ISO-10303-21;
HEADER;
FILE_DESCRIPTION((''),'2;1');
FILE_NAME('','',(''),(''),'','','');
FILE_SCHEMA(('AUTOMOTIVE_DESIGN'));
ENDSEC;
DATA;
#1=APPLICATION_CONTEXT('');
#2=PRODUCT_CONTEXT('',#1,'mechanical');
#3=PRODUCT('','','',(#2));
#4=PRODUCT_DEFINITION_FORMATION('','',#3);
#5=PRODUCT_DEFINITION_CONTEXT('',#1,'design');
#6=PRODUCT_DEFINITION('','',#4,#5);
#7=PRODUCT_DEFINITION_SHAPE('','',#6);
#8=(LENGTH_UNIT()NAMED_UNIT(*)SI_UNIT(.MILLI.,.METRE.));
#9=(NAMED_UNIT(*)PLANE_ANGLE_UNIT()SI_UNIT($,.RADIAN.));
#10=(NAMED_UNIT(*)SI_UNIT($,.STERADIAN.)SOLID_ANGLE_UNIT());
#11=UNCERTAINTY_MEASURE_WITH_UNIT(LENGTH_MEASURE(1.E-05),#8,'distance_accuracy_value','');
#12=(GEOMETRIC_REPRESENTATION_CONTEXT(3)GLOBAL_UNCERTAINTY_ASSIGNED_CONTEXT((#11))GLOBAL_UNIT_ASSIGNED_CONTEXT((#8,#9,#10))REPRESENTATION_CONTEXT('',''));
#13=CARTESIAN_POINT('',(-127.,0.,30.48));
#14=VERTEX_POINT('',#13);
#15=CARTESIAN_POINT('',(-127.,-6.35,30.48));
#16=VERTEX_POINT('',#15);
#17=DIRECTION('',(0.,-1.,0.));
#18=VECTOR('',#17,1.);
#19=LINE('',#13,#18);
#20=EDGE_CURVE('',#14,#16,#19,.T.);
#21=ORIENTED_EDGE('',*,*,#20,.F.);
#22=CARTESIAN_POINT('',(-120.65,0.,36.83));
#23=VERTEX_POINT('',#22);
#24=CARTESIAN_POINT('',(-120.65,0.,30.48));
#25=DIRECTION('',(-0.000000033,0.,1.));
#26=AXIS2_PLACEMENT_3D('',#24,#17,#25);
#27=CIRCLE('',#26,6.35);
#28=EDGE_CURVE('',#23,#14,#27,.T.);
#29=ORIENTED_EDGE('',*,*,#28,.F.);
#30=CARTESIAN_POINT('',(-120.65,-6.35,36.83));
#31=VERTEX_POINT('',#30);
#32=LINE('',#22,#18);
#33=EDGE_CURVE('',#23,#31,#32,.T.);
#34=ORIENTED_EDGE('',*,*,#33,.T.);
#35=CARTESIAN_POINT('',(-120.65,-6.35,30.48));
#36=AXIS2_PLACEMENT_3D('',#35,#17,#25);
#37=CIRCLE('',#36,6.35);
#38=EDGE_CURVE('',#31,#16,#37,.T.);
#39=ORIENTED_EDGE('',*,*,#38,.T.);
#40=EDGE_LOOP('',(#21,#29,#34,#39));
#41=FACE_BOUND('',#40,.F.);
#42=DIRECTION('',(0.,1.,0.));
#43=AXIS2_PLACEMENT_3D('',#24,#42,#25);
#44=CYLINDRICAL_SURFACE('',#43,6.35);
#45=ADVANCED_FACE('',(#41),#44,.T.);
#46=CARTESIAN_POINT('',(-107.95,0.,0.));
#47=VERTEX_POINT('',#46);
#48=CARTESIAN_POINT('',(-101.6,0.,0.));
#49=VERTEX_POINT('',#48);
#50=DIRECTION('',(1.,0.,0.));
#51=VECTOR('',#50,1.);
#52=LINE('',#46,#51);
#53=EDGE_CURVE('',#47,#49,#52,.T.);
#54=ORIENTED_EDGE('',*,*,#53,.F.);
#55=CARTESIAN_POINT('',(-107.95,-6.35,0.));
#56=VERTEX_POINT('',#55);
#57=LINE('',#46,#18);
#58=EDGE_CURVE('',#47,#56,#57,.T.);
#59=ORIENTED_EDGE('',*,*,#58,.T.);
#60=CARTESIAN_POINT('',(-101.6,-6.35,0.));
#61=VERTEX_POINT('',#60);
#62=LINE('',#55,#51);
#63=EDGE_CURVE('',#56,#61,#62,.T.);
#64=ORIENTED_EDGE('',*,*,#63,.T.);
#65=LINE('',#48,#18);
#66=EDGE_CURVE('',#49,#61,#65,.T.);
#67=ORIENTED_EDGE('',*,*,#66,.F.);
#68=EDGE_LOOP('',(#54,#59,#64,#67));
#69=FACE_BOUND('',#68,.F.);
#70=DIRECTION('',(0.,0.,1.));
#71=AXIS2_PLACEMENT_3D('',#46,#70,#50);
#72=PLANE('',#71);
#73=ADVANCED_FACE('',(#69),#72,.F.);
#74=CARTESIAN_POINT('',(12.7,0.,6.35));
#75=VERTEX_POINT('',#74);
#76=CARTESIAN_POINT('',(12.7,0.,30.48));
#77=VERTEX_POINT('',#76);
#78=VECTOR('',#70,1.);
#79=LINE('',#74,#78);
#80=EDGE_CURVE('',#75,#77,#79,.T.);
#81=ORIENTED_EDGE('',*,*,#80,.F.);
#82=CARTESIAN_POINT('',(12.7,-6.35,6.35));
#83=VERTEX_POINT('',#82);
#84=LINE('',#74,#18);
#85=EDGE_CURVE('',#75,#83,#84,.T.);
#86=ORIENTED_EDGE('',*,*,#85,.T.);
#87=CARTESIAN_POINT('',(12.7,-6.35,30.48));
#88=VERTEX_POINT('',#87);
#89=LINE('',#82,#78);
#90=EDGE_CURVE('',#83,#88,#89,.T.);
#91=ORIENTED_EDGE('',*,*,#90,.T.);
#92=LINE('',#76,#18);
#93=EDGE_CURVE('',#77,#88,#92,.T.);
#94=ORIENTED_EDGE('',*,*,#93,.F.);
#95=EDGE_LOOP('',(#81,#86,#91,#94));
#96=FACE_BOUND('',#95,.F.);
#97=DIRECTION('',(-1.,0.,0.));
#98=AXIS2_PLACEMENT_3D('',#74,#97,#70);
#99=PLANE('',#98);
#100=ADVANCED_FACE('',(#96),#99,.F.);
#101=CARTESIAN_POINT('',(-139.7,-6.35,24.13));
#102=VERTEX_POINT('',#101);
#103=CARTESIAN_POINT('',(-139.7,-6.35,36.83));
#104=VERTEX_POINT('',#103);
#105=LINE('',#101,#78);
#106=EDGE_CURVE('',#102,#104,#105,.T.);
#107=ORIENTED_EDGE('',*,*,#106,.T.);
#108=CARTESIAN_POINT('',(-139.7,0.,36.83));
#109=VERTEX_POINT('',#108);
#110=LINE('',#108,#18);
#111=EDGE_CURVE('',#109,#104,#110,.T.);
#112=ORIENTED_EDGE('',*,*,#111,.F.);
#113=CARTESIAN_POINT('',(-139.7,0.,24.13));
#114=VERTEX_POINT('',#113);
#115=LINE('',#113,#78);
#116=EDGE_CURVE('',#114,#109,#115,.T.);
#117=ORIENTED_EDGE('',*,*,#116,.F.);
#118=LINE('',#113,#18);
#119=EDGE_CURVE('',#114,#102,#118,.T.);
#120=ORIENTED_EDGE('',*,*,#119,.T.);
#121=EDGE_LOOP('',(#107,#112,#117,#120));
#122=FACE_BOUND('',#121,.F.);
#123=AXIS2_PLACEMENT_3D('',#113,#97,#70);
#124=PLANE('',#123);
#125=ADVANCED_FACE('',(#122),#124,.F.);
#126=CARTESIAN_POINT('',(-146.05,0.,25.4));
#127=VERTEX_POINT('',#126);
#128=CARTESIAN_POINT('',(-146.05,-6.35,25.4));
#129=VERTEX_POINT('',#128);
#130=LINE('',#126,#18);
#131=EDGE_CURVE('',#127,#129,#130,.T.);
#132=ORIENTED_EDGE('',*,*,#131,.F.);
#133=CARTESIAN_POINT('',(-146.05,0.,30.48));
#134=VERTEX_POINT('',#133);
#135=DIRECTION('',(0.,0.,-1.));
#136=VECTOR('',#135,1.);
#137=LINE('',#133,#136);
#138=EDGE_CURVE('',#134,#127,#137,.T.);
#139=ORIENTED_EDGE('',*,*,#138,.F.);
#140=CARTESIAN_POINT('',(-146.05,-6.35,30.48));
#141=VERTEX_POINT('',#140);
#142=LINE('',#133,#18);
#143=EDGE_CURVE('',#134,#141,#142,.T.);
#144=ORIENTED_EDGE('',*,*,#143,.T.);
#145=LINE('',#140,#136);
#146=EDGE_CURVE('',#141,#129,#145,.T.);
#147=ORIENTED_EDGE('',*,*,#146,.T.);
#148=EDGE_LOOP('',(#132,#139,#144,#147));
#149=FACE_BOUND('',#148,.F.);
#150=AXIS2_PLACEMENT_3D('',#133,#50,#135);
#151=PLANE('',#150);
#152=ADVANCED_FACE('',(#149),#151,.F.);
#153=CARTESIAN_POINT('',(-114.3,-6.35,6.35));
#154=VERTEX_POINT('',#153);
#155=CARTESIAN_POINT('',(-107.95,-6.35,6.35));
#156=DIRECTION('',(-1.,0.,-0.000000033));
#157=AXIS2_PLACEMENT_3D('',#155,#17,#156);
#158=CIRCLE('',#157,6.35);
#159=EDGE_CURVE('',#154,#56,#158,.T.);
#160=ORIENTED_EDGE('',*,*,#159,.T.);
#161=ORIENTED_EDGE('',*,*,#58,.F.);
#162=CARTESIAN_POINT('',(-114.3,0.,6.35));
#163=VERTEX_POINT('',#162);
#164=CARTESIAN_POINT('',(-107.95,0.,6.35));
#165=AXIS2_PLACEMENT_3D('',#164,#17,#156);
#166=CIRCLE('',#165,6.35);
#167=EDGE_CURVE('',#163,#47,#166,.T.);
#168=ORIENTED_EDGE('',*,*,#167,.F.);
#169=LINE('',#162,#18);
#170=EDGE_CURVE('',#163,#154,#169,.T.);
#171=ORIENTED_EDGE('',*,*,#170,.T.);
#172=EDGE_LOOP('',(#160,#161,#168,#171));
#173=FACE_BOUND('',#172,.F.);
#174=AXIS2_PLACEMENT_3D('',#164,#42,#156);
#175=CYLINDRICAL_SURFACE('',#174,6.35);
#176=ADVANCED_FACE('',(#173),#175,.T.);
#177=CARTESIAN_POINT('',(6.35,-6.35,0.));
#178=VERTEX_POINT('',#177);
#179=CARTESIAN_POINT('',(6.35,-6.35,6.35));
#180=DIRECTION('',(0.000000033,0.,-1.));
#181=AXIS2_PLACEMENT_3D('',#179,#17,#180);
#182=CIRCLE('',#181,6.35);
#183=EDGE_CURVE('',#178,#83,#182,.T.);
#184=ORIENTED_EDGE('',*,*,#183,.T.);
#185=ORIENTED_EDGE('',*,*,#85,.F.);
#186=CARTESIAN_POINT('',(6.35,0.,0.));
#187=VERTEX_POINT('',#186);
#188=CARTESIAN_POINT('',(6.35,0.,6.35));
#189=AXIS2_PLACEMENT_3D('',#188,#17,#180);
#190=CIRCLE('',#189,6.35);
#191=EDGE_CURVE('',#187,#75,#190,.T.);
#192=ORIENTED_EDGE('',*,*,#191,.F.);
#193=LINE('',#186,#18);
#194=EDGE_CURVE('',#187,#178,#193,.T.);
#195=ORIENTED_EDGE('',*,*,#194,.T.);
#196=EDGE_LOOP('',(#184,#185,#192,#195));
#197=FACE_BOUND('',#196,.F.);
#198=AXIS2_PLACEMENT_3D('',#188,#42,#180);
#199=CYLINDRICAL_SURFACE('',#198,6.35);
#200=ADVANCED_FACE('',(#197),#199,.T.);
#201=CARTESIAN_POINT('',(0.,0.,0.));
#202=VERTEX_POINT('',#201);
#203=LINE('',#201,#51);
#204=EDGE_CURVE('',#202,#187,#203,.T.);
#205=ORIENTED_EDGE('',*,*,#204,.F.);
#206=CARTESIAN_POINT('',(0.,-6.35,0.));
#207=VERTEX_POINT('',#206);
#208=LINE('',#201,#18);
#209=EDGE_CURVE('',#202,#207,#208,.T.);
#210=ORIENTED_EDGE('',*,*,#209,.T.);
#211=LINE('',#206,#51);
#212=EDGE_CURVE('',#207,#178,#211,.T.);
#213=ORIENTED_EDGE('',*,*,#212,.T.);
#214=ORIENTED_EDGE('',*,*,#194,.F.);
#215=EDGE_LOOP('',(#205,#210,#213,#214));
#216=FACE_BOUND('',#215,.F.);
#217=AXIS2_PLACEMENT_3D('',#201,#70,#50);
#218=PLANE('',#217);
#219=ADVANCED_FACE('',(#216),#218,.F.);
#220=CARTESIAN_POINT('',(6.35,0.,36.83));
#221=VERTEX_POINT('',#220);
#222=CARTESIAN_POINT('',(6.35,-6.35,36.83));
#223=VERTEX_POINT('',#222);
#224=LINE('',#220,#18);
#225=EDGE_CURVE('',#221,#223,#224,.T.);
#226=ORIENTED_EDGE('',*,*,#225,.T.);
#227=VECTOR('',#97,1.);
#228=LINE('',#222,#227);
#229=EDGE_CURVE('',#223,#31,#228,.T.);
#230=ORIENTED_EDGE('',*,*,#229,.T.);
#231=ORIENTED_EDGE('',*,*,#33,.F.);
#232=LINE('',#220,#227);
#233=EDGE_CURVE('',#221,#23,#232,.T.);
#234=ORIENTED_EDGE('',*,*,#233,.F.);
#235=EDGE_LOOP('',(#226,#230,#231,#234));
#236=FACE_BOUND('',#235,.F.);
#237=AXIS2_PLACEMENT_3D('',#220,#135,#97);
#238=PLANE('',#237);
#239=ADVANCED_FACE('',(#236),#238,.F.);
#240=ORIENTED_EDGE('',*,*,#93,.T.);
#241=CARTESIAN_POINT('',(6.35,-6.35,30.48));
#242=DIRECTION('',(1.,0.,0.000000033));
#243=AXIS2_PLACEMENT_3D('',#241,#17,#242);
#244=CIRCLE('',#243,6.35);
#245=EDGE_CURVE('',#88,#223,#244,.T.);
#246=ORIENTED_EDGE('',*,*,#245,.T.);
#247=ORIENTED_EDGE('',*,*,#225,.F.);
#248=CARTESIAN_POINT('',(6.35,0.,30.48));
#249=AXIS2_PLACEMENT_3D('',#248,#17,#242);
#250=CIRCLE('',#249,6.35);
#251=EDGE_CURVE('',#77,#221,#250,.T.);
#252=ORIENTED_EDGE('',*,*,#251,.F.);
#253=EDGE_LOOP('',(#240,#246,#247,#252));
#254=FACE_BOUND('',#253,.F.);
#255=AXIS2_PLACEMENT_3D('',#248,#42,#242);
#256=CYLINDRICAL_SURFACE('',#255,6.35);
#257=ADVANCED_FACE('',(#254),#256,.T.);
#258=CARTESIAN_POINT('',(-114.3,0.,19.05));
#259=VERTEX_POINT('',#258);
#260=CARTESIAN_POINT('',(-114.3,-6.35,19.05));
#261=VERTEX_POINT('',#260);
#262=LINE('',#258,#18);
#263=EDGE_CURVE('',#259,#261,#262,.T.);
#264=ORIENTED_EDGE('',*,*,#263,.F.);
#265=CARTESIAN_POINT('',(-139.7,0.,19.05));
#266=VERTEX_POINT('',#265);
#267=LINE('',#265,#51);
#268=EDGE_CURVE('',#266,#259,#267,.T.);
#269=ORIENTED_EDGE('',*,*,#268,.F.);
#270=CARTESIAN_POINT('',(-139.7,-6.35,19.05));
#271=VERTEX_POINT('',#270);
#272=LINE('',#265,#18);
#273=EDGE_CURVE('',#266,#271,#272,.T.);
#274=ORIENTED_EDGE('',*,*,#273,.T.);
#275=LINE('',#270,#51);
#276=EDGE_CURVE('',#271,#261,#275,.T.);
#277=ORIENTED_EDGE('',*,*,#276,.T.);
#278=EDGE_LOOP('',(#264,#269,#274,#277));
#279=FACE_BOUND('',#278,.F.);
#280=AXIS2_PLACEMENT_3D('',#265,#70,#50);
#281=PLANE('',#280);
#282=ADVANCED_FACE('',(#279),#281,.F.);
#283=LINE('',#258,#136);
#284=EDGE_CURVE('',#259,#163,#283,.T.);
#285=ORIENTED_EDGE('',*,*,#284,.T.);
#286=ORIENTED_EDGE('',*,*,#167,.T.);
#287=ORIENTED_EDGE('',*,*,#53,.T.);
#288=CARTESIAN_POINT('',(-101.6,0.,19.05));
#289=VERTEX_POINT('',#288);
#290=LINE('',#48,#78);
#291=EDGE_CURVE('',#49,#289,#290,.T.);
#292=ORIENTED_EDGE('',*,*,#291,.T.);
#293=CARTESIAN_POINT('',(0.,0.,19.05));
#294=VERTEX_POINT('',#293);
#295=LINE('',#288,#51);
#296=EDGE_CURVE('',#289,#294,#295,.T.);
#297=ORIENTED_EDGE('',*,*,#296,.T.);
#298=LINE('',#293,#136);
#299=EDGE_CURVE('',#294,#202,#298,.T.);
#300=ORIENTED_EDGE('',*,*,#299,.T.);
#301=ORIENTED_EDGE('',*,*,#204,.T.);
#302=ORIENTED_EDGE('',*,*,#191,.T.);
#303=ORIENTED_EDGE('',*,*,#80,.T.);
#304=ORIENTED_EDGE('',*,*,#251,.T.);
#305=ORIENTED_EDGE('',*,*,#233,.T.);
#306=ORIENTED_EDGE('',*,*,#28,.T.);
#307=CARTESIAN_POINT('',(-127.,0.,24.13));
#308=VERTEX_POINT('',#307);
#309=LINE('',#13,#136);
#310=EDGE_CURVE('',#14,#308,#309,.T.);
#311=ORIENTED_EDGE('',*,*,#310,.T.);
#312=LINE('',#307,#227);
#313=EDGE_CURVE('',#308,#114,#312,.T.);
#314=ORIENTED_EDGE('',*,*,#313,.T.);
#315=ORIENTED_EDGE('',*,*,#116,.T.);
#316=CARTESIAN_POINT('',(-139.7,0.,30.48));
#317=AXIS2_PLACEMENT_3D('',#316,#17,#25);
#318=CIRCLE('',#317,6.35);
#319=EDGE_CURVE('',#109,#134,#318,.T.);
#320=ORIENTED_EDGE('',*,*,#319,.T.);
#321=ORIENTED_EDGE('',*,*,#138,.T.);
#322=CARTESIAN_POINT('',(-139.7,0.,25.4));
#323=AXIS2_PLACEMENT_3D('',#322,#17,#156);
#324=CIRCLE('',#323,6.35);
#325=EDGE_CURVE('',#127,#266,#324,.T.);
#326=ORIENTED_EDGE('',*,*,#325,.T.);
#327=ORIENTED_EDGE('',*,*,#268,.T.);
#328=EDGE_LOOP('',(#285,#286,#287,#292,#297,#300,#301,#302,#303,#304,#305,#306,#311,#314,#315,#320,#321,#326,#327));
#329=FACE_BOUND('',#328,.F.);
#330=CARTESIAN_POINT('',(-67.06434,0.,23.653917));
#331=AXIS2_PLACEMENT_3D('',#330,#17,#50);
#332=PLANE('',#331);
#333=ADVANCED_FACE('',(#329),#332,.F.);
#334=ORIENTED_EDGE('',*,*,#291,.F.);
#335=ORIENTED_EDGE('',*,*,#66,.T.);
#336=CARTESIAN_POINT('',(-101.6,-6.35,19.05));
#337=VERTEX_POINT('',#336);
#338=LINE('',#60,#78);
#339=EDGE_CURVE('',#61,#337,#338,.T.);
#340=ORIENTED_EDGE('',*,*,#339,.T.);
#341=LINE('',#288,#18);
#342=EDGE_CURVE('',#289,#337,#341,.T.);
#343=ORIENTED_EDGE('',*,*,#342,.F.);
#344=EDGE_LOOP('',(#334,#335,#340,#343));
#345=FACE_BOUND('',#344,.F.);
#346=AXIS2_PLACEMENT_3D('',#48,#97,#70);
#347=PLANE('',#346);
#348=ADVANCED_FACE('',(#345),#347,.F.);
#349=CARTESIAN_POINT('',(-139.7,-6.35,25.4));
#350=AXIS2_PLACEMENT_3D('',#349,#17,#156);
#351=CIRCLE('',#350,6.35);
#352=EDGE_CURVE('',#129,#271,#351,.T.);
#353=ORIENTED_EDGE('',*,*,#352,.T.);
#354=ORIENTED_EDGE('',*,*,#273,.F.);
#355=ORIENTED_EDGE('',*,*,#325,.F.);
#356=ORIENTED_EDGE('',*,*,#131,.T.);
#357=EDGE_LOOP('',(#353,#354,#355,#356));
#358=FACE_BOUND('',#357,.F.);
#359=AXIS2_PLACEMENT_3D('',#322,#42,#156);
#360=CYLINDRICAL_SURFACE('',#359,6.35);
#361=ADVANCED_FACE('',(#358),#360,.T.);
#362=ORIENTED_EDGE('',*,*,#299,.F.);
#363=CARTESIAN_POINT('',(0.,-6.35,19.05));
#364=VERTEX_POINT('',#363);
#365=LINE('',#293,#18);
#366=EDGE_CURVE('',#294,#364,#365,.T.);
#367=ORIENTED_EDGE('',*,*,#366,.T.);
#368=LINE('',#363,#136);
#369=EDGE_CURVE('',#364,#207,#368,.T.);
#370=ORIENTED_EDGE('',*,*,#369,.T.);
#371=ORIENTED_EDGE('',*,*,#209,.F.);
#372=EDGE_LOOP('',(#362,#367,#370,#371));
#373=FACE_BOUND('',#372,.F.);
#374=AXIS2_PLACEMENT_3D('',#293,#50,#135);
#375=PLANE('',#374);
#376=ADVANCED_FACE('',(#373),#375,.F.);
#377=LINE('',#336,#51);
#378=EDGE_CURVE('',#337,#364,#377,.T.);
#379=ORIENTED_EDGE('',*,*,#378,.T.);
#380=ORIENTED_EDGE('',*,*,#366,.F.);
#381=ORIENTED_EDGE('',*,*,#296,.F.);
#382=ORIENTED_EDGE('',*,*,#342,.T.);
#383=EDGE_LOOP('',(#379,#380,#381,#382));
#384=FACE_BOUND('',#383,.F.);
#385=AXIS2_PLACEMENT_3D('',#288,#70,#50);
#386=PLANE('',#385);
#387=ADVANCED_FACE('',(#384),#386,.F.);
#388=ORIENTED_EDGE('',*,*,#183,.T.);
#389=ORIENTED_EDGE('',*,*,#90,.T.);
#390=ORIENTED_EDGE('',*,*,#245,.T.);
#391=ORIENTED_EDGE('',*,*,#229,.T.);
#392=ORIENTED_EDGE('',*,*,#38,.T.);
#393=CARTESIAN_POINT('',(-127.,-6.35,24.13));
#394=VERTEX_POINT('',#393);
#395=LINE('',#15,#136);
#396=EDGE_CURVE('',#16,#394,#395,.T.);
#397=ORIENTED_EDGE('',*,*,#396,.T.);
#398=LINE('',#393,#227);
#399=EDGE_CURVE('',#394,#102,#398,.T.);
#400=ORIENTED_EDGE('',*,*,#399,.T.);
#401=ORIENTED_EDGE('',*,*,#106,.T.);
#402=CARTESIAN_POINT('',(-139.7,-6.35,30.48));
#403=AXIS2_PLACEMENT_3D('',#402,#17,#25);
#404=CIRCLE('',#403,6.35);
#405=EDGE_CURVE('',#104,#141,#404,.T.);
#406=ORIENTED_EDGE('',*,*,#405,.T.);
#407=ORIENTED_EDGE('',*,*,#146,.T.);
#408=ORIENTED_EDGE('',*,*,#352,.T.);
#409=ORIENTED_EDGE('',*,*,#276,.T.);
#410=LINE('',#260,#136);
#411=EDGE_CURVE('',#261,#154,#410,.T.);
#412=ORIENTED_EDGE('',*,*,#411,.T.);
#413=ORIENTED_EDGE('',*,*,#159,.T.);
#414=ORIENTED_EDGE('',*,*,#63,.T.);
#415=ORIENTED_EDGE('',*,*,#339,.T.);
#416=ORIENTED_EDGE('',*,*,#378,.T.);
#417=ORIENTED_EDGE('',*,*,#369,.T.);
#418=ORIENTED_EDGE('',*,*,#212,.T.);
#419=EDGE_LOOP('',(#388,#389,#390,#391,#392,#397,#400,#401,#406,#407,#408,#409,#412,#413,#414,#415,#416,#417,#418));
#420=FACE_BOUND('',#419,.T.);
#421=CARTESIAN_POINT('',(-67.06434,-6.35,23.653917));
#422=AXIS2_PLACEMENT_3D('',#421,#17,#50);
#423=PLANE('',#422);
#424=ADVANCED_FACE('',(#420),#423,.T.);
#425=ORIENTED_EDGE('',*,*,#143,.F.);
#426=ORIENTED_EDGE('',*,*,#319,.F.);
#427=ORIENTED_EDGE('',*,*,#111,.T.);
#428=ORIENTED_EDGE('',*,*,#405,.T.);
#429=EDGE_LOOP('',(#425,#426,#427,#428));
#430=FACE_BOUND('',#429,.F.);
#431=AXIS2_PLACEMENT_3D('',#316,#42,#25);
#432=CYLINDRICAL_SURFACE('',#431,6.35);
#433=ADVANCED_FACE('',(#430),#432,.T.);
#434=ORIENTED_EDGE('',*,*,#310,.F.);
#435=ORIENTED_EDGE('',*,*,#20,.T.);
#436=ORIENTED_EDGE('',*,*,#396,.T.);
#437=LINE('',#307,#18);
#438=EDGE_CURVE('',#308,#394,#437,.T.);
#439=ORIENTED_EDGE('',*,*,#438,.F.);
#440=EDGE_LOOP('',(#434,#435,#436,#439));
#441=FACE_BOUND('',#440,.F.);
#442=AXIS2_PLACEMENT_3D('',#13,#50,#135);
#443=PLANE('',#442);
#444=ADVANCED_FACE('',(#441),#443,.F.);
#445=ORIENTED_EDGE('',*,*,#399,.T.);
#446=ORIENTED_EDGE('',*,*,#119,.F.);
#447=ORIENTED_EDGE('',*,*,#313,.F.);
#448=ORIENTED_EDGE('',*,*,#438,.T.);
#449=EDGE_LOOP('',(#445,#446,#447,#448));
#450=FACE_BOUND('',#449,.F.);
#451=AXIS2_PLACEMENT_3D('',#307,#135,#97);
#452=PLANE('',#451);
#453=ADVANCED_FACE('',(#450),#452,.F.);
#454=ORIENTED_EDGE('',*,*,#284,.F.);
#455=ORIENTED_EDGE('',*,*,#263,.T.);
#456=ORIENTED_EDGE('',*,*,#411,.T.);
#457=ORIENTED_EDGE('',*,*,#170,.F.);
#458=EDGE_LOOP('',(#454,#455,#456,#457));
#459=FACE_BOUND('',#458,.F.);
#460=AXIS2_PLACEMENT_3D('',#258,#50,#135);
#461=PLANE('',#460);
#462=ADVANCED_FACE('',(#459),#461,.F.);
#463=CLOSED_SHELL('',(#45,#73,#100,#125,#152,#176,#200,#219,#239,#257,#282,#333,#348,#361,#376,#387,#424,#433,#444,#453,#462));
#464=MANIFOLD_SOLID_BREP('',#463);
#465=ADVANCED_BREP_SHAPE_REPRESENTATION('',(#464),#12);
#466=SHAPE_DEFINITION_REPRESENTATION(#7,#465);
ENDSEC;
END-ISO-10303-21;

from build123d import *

# Parameters (mm, degrees)
F1_DEPTH = 6.35


with BuildPart() as f1:
    # F0 (on Front) → F1 (new body)
    with BuildSketch(Plane.XZ):
        with BuildLine():
            Line((0, 19.05), (0, 0))
            Line((0, 0), (6.35, 0))
            ThreePointArc((6.35, 0), (10.840128, 1.859872), (12.7, 6.35))
            Line((12.7, 6.35), (12.7, 30.48))
            ThreePointArc((12.7, 30.48), (10.840128, 34.970128), (6.35, 36.83))
            Line((6.35, 36.83), (-120.65, 36.83))
            ThreePointArc((-120.65, 36.83), (-125.140128, 34.970128), (-127, 30.48))
            Line((-127, 30.48), (-127, 24.13))
            Line((-127, 24.13), (-139.7, 24.13))
            Line((-139.7, 24.13), (-139.7, 36.83))
            ThreePointArc((-139.7, 36.83), (-144.190128, 34.970128), (-146.05, 30.48))
            Line((-146.05, 30.48), (-146.05, 25.4))
            ThreePointArc((-146.05, 25.4), (-144.190128, 20.909872), (-139.7, 19.05))
            Line((-139.7, 19.05), (-114.3, 19.05))
            Line((-114.3, 19.05), (-114.3, 6.35))
            ThreePointArc((-114.3, 6.35), (-112.440128, 1.859872), (-107.95, 0))
            Line((-107.95, 0), (-101.6, 0))
            Line((-101.6, 0), (-101.6, 19.05))
            Line((-101.6, 19.05), (0, 19.05))
        make_face()
    extrude(amount=F1_DEPTH)


solid = f1.part
